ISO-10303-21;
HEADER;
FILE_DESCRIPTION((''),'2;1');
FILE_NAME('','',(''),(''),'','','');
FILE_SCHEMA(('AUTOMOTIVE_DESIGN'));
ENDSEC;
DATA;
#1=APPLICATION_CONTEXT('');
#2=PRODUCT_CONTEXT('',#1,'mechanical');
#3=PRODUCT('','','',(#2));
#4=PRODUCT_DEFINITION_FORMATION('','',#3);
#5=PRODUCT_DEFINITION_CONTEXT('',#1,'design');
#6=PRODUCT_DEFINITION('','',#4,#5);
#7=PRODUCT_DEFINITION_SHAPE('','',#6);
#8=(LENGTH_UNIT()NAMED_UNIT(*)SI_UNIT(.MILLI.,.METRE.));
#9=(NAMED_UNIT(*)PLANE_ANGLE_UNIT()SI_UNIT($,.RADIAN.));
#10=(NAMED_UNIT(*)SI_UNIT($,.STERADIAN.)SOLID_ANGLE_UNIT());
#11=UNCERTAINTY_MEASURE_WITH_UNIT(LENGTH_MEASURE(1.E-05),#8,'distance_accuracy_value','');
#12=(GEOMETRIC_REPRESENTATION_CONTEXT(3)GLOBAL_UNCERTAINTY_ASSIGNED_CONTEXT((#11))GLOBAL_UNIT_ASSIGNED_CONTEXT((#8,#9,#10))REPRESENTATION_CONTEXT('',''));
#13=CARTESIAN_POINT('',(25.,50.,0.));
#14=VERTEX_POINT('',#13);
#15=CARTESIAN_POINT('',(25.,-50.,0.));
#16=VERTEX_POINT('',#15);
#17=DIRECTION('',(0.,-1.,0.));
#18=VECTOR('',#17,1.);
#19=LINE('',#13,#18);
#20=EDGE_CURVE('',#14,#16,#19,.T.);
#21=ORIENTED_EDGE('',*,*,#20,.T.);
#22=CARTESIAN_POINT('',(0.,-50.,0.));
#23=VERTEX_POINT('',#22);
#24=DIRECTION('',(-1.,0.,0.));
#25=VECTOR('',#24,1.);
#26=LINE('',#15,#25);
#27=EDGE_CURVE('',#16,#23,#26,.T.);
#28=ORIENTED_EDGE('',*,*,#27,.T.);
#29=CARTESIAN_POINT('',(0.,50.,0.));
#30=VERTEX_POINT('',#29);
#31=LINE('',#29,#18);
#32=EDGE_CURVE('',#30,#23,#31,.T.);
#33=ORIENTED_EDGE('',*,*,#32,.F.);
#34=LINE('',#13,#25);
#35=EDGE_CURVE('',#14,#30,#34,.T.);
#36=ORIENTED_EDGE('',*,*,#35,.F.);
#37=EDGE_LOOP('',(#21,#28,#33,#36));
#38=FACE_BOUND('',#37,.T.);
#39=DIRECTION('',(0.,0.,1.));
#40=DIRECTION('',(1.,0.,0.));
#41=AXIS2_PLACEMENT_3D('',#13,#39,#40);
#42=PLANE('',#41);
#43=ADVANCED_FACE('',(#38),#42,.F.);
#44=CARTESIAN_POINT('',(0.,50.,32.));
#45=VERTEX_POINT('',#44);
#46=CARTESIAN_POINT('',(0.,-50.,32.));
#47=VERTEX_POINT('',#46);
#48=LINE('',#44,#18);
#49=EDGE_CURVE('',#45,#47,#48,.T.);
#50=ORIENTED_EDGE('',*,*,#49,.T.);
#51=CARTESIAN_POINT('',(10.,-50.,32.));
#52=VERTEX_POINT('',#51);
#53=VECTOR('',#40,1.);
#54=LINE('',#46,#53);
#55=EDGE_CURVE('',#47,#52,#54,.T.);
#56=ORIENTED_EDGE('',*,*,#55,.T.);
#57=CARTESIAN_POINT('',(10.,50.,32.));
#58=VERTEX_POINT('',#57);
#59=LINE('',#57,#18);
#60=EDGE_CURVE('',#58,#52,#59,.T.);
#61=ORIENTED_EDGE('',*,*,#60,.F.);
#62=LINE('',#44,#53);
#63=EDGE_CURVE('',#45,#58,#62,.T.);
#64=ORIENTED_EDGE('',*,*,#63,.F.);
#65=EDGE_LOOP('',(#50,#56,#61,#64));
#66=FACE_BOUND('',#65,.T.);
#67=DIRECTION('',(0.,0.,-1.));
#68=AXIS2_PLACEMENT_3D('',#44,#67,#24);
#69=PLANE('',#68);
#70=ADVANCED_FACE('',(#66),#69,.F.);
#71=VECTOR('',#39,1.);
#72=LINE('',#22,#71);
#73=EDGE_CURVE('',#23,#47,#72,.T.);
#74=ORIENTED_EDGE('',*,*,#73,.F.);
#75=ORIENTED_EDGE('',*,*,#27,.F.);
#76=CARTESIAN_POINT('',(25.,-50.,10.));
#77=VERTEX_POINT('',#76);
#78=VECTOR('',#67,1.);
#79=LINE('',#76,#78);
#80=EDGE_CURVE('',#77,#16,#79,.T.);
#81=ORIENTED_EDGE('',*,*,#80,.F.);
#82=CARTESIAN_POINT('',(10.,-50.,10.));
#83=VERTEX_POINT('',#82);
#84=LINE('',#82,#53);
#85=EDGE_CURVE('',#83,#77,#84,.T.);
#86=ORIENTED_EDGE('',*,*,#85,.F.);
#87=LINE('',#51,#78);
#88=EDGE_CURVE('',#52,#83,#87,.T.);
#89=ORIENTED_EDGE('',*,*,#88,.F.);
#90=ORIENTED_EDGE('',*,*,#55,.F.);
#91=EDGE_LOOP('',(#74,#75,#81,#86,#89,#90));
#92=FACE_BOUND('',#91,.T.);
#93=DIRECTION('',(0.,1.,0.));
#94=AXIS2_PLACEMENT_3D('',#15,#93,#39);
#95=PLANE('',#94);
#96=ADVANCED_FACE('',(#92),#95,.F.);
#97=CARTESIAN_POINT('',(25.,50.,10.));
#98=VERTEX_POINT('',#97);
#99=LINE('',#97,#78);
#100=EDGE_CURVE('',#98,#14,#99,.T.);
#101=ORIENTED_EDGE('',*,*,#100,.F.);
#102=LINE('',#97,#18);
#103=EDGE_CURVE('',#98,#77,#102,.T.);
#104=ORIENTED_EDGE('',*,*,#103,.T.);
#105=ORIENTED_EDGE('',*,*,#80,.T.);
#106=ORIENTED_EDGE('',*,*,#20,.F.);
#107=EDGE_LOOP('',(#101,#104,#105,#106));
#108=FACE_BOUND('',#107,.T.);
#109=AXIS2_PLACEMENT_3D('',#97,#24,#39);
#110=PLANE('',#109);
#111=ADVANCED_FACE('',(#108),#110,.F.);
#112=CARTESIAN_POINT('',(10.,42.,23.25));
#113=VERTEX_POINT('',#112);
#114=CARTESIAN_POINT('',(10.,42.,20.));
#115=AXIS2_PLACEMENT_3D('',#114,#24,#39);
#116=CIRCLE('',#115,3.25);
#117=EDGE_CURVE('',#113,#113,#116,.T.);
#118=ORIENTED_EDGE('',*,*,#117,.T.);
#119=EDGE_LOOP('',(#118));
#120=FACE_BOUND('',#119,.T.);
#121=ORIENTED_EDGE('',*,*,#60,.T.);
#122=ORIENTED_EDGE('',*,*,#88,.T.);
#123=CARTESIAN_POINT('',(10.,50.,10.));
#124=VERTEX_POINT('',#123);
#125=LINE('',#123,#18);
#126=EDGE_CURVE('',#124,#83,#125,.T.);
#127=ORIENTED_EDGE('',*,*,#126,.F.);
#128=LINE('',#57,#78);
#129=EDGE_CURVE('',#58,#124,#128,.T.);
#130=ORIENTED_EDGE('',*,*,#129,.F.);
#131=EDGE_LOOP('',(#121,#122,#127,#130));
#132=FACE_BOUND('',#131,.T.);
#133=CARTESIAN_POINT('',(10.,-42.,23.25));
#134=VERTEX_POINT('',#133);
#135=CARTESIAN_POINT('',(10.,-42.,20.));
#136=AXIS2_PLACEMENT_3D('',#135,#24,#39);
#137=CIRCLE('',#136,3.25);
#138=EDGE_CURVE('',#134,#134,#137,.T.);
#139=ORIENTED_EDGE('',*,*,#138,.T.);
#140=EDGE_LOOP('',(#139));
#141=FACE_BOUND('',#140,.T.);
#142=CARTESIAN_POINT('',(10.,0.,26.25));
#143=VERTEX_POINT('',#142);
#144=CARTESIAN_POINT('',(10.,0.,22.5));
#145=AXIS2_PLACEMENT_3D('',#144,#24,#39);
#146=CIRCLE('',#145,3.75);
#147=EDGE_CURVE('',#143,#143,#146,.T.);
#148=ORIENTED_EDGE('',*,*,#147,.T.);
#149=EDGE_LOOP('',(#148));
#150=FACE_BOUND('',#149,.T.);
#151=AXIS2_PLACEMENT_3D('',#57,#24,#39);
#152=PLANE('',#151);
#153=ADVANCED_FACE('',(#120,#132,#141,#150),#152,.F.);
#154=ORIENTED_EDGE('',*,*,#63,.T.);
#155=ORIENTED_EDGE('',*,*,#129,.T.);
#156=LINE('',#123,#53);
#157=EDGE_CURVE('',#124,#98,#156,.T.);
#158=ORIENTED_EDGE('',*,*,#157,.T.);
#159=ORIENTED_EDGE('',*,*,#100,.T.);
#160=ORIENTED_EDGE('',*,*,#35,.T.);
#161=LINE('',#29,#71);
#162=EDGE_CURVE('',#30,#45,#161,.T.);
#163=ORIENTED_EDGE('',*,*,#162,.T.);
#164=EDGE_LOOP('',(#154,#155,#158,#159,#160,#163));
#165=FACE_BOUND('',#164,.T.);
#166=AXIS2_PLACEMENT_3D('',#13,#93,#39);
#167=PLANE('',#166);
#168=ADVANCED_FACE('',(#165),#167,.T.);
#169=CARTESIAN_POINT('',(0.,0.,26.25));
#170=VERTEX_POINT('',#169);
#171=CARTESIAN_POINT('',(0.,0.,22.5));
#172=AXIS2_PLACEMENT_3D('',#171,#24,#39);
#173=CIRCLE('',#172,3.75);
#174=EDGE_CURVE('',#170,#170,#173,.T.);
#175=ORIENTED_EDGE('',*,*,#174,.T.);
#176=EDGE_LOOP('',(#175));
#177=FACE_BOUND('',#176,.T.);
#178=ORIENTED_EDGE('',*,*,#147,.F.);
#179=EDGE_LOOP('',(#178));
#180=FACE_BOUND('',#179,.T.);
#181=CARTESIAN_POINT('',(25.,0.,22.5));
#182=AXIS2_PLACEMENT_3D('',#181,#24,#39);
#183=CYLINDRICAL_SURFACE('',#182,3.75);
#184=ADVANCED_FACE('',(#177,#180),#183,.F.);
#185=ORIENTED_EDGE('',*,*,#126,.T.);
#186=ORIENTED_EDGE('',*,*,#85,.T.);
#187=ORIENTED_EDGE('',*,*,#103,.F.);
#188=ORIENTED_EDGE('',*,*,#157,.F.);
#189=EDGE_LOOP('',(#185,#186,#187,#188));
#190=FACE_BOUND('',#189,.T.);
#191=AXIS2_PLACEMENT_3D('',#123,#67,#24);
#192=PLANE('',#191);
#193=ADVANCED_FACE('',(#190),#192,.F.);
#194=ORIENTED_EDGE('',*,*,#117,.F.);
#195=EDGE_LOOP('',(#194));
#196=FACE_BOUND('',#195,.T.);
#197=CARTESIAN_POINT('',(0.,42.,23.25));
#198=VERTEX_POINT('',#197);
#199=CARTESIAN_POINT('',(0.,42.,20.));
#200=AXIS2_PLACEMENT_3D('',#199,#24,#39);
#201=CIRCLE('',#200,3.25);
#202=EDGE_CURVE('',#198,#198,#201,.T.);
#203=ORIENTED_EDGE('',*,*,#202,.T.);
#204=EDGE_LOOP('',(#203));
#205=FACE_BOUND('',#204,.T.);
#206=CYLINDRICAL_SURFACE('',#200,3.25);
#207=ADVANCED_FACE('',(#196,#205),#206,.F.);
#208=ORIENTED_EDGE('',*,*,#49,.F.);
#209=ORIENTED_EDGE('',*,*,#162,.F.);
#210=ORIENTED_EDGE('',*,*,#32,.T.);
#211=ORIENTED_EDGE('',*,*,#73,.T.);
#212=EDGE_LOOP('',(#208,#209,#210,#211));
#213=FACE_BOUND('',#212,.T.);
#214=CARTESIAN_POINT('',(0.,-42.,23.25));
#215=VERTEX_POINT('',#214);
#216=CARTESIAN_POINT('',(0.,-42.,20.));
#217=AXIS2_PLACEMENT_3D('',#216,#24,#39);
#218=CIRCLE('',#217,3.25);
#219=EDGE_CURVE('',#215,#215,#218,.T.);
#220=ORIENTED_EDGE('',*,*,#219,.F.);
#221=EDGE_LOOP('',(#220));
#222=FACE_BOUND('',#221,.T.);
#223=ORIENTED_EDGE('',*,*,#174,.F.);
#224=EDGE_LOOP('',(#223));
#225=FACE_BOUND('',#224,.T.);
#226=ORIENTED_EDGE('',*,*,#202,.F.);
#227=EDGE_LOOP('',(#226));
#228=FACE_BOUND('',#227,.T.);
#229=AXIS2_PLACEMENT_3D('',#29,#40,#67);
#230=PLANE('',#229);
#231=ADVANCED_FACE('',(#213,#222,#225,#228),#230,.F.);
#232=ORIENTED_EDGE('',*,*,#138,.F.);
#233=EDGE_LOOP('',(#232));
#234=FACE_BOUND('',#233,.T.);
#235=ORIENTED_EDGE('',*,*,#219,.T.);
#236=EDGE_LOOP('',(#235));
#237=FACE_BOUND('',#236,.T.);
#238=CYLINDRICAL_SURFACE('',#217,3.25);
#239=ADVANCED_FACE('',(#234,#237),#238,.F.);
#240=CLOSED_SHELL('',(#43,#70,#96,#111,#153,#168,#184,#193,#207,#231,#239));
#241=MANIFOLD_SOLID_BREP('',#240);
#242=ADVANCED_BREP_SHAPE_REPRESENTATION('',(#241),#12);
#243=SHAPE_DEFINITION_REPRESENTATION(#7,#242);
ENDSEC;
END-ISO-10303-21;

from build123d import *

# Parameters (mm, degrees)
BOSS_EXTRUDE1_DEPTH        = 50
F_6_5_6_5_DIAMETER_HOLE1_D = 6.5
SKETCH4_R                  = 3.75
CUT_EXTRUDE1_DEPTH         = 65.412731661


with BuildPart() as part:
    # Sketch1 → Boss-Extrude1 (new, symmetric)
    with BuildSketch(Plane(origin=(0, 0, 0), x_dir=(1, 0, 0), z_dir=(0, 1, 0))):
        Polygon((25, 0), (0, 0), (0, -32), (10, -32), (10, -10), (25, -10), align=None)
    extrude(amount=BOSS_EXTRUDE1_DEPTH, both=True)

    # Ø6.5 (6.5) Diameter Hole1 (through all)
    with Locations(Plane.ZY):
        with Locations((20, -42), (20, 42)):
            Hole(F_6_5_6_5_DIAMETER_HOLE1_D / 2)

    # Sketch4 → Cut-Extrude1 (cut, through all)
    with BuildSketch(Plane.ZY):
        with Locations((22.5, 0)):
            Circle(SKETCH4_R)
    extrude(amount=-CUT_EXTRUDE1_DEPTH, mode=Mode.SUBTRACT)


solid = part.part
